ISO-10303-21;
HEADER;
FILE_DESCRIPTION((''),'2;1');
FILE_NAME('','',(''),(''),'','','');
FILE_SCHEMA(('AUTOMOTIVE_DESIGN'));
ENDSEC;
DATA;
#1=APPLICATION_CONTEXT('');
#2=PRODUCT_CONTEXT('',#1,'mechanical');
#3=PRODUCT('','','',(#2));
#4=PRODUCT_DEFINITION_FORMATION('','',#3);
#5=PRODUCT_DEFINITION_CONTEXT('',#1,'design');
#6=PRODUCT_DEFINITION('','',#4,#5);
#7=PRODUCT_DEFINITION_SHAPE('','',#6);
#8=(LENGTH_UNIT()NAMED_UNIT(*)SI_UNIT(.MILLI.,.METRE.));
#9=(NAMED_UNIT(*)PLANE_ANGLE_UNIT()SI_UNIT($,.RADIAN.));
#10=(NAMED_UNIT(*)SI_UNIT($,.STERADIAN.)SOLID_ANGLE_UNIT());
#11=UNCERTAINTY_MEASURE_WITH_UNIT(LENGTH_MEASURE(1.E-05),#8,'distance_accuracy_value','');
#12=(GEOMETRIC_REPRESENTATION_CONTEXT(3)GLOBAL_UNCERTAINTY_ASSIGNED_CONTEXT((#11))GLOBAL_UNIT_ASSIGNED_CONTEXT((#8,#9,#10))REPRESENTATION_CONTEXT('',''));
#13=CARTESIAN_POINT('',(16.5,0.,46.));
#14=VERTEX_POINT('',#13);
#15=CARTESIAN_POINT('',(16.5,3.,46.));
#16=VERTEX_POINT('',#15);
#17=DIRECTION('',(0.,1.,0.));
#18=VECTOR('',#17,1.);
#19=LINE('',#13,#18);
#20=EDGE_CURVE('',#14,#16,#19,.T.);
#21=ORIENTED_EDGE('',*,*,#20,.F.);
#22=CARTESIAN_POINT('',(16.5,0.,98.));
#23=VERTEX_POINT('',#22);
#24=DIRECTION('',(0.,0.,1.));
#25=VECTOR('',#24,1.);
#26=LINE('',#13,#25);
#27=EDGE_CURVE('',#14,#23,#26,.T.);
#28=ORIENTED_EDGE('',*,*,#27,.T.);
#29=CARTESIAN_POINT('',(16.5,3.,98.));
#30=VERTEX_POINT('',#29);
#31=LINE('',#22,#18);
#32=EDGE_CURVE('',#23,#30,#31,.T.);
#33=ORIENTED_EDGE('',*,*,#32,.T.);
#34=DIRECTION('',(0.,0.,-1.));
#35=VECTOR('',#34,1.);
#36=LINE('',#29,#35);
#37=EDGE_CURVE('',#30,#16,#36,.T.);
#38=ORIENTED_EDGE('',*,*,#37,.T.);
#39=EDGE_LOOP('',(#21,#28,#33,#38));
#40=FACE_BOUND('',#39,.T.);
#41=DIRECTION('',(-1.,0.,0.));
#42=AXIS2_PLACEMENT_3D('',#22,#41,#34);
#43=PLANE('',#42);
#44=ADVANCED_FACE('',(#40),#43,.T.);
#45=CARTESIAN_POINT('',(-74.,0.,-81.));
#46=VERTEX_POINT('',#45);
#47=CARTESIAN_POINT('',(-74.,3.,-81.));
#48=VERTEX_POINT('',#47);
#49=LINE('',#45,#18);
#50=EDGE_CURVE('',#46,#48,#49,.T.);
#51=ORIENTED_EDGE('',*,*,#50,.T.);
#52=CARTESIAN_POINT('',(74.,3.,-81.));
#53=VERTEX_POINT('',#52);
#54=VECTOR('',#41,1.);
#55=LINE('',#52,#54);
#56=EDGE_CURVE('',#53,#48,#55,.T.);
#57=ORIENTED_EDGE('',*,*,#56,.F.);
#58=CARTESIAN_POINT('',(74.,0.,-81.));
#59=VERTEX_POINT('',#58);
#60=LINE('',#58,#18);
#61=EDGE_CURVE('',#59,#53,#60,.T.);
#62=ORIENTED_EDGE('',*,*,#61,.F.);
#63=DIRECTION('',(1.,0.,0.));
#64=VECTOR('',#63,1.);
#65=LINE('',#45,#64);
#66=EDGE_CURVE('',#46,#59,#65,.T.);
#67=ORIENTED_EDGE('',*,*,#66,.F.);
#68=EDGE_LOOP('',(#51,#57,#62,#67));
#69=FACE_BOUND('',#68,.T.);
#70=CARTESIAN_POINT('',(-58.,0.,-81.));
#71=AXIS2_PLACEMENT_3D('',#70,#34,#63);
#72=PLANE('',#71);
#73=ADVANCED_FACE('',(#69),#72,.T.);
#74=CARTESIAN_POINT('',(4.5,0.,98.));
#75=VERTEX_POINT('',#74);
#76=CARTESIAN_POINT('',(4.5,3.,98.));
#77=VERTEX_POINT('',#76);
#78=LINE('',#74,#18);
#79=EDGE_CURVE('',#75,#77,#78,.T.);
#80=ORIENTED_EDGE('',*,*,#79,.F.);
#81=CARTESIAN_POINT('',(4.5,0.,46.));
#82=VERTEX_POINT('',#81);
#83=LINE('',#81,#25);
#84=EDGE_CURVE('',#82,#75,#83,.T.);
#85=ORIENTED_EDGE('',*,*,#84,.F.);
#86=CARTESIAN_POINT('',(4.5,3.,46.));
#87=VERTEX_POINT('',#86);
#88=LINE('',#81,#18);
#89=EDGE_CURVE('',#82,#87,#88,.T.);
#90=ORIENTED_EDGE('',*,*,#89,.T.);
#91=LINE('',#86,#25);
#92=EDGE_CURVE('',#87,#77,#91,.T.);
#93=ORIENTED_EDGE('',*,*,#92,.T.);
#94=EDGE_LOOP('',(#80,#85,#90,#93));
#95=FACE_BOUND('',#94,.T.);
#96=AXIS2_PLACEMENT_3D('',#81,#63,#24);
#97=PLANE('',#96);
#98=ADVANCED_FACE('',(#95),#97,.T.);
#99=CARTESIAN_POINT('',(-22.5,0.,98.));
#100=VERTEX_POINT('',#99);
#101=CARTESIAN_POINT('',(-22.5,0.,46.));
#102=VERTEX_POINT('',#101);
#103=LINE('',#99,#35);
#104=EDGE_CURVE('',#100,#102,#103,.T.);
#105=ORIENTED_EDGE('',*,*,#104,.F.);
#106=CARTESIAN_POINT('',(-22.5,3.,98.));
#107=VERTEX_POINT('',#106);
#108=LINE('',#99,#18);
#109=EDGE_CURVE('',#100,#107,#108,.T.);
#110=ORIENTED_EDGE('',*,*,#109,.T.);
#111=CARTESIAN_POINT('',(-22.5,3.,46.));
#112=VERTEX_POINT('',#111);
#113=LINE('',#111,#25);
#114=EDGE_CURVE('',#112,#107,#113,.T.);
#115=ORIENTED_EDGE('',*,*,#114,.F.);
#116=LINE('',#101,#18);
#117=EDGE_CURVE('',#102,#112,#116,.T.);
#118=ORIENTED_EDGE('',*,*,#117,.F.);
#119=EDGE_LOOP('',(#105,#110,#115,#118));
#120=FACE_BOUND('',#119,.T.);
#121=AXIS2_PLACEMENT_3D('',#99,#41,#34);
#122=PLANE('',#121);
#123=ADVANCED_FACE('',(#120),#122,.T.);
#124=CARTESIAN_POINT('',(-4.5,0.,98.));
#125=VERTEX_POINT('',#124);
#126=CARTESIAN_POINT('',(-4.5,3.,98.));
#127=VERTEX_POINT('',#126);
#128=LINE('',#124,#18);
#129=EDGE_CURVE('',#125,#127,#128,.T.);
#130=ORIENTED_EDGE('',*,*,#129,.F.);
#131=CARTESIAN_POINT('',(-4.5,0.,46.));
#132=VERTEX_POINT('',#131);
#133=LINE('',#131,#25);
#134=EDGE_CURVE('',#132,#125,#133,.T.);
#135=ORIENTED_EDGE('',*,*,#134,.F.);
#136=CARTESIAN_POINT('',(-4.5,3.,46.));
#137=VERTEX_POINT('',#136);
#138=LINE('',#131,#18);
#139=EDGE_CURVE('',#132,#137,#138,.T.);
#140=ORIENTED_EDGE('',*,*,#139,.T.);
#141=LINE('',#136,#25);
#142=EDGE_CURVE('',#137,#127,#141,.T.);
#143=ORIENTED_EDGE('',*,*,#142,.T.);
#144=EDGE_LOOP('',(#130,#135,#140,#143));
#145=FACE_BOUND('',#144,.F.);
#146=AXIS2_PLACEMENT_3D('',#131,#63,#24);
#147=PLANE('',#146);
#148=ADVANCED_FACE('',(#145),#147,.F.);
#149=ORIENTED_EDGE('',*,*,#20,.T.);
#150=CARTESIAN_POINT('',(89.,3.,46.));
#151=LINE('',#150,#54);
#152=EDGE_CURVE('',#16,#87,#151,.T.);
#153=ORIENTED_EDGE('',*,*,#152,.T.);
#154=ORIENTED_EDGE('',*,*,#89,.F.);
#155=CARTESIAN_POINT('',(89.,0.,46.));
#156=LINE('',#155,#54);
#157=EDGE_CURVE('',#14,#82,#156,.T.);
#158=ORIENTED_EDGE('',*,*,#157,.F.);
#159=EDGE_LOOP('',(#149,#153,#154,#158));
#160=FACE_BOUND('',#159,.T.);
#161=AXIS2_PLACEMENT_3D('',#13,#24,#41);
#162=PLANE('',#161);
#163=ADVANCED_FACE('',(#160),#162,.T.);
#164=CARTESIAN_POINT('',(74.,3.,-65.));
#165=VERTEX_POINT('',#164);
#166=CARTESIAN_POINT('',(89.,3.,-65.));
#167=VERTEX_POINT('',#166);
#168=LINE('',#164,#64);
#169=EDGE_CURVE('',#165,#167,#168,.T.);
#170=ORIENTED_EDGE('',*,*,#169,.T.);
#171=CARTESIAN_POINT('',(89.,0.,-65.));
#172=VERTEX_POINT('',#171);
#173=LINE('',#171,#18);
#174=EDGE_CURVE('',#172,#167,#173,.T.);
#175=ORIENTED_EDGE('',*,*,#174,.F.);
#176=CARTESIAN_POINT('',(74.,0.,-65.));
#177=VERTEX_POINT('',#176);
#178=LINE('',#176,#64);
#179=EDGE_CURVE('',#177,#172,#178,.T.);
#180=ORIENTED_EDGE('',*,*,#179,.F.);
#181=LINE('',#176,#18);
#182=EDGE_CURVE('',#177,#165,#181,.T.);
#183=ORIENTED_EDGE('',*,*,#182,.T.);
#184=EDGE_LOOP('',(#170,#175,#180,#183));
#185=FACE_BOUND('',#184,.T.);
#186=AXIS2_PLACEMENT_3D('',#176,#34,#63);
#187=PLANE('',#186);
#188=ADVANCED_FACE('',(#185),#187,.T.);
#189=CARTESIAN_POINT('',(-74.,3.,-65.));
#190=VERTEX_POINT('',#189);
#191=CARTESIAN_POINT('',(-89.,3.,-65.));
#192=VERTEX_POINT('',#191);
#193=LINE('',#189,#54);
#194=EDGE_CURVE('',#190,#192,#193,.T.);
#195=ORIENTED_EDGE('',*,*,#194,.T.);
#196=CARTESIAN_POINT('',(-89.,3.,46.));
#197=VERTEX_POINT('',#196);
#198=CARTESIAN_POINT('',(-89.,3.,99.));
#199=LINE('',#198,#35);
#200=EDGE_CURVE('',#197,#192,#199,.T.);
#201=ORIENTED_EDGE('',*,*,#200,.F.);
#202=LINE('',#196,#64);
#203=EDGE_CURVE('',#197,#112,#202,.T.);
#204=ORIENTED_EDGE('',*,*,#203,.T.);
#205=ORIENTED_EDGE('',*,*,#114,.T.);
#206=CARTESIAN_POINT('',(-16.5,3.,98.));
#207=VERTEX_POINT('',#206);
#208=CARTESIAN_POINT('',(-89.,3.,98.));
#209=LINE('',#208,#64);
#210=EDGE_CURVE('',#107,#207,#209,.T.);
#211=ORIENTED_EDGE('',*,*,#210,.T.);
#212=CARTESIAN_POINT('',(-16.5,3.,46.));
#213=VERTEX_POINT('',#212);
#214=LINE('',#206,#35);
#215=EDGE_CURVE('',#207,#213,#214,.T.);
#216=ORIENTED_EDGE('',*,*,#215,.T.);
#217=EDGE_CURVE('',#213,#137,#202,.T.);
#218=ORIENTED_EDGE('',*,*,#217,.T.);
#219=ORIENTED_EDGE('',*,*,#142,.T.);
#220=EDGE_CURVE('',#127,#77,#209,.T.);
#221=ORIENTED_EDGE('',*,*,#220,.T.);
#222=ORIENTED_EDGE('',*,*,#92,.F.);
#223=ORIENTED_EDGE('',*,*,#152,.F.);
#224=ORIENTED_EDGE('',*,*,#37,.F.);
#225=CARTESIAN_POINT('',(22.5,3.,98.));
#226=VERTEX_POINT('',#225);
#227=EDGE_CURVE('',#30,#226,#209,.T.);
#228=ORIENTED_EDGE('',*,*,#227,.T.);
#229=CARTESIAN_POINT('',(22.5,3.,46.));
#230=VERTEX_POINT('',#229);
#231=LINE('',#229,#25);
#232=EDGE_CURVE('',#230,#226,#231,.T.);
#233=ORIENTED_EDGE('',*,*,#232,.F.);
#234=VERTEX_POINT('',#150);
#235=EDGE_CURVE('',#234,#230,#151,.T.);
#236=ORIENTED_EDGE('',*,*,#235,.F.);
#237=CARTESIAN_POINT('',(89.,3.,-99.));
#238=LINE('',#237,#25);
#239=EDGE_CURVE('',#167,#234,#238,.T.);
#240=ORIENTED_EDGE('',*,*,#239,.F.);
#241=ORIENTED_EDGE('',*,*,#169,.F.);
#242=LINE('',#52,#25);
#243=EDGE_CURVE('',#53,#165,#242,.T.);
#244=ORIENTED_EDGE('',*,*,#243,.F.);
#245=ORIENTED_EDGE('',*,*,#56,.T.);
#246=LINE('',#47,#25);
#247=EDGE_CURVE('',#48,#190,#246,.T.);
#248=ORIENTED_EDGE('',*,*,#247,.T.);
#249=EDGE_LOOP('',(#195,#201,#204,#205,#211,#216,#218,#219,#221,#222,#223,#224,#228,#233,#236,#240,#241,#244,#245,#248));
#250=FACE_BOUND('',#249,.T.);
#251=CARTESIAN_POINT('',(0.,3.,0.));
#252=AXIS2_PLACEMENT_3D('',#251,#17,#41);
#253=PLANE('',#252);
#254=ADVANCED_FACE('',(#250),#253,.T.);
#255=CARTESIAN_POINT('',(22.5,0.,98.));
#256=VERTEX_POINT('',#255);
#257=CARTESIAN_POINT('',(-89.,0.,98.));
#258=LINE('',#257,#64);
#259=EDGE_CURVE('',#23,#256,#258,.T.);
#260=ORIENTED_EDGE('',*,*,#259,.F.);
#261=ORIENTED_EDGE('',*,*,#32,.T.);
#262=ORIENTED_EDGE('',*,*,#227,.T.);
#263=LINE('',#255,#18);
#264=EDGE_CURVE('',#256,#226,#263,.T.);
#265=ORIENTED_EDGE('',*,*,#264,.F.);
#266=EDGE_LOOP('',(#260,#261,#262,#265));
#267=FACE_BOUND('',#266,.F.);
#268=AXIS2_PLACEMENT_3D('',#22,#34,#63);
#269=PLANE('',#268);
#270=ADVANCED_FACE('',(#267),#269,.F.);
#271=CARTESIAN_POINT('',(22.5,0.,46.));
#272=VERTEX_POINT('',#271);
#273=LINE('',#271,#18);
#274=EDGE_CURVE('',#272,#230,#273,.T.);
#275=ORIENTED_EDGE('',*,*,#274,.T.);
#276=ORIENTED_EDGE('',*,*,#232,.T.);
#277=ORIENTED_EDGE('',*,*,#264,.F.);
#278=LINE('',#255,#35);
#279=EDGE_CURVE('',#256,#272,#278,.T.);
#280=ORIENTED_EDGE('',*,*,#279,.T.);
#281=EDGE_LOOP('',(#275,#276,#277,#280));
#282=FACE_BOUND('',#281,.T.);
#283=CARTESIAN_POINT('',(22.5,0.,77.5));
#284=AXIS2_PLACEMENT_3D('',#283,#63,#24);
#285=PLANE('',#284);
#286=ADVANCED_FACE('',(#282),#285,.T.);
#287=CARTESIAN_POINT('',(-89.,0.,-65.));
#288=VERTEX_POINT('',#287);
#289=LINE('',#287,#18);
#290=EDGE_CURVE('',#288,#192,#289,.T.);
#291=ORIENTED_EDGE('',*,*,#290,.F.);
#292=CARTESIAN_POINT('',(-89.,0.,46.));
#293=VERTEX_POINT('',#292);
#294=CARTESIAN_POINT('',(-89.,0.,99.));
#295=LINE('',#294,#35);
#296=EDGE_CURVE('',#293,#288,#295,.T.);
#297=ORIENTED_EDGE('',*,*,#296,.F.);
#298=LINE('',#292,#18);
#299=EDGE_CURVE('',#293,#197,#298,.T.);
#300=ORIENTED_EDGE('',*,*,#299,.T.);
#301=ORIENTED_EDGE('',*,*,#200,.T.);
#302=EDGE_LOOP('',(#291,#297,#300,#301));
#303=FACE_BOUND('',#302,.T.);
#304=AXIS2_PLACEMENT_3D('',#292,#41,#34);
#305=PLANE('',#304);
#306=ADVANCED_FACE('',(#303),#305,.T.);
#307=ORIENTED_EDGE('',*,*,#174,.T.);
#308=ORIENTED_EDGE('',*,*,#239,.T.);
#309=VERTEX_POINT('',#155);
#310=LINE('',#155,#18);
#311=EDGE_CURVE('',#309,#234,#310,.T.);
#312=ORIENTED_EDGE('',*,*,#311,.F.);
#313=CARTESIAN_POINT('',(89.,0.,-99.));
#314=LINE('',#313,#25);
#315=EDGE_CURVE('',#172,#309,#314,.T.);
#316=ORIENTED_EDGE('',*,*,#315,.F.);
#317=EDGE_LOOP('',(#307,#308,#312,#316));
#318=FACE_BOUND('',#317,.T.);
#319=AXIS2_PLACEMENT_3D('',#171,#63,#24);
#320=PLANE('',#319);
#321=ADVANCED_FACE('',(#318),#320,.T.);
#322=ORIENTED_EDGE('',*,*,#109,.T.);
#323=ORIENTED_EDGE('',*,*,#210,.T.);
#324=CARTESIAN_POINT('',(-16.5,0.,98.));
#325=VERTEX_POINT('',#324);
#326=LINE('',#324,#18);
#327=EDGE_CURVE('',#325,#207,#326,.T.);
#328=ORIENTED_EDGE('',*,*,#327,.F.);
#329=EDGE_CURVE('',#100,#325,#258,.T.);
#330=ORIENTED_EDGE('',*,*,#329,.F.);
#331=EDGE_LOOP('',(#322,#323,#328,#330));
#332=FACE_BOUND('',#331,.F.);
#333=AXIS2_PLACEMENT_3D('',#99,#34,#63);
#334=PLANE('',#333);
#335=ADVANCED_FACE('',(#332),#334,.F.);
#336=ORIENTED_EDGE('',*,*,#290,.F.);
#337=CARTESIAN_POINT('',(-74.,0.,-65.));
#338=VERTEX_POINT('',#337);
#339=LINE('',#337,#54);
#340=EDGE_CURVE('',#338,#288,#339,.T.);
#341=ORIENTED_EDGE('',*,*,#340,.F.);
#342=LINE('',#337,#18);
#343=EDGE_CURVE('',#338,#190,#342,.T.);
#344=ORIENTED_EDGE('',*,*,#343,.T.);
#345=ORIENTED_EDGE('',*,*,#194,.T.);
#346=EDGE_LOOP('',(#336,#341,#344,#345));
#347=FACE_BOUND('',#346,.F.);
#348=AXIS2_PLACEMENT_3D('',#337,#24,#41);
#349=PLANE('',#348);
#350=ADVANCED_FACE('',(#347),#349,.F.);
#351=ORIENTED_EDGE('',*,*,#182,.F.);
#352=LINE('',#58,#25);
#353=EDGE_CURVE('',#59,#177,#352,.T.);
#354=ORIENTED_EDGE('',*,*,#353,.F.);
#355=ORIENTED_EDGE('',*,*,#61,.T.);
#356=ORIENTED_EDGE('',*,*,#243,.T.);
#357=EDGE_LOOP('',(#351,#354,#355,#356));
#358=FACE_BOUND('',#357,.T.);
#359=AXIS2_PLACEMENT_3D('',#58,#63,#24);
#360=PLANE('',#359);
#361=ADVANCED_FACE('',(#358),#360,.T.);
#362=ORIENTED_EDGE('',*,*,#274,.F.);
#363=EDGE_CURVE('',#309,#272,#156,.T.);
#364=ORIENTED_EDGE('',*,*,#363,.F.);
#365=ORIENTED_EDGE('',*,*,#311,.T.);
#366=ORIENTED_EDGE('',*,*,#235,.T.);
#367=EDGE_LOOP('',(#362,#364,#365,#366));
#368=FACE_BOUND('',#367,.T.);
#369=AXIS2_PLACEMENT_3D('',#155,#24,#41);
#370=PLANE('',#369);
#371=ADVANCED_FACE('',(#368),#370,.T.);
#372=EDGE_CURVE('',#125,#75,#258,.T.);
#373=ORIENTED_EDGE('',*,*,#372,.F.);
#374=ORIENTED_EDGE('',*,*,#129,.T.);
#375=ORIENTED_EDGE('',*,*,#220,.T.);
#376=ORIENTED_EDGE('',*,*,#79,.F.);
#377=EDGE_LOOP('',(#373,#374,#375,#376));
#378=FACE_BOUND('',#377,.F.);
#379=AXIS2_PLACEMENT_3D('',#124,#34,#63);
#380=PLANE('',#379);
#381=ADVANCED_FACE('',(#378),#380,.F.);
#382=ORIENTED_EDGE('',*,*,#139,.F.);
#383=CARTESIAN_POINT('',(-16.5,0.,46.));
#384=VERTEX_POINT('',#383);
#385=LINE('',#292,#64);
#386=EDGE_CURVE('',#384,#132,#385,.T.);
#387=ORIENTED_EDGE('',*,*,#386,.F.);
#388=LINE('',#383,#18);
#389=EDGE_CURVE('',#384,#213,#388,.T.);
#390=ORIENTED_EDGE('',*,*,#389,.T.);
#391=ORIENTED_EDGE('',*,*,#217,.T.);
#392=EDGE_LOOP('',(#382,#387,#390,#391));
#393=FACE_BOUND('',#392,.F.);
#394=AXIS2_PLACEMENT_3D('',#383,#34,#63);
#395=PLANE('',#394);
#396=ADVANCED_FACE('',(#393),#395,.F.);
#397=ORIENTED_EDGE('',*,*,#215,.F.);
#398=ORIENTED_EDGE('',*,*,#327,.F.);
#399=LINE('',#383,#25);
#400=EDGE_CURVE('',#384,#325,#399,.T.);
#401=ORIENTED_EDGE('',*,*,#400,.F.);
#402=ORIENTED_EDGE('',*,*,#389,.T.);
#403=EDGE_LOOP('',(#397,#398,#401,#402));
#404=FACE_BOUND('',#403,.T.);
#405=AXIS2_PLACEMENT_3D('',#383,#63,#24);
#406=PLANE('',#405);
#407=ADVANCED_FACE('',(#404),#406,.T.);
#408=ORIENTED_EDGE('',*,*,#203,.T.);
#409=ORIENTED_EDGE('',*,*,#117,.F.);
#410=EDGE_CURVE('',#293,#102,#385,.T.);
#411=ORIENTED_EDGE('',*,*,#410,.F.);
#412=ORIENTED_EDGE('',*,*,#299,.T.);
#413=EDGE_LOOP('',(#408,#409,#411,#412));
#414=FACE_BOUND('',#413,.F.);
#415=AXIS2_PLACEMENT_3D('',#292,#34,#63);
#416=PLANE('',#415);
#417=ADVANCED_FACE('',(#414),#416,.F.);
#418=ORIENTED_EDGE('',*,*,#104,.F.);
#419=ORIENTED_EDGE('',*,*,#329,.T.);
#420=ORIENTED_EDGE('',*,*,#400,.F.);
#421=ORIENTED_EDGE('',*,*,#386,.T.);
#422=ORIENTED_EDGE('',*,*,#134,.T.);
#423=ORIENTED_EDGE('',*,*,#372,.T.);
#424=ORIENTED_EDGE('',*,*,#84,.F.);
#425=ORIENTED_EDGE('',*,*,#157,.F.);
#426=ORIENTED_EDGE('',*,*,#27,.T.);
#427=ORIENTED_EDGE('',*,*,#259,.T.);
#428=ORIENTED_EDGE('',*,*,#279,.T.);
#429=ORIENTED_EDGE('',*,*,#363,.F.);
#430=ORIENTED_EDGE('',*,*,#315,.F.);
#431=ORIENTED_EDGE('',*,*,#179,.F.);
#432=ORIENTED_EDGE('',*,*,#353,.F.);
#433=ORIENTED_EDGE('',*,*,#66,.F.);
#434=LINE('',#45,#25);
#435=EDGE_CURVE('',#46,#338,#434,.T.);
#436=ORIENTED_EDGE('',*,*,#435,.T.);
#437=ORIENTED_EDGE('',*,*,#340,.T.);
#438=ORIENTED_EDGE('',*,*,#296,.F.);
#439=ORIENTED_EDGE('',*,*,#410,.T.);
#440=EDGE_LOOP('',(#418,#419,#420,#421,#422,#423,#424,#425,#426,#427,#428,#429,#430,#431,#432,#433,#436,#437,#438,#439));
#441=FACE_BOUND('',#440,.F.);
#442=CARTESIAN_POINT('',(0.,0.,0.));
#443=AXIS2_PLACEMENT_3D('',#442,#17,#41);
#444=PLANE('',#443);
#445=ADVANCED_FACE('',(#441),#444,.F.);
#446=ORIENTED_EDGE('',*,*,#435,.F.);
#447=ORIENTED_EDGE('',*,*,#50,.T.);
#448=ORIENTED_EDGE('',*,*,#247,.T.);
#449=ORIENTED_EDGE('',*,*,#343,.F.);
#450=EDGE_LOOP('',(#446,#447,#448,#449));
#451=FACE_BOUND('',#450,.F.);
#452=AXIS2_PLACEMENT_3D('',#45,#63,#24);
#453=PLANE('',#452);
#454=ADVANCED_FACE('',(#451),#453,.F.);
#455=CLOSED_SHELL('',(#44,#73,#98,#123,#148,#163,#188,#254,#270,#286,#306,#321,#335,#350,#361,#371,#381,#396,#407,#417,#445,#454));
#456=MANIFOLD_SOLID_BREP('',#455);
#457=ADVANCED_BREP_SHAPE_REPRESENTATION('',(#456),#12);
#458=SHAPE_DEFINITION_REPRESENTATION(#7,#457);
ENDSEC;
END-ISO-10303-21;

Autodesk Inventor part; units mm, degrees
ref_plane "YZ Plane" through (0, 0, 0) normal (1, 0, 0) x (0, 1, 0)
ref_plane "XZ Plane" through (0, 0, 0) normal (0, 1, 0) x (-1, 0, 0)
ref_plane "XY Plane" through (0, 0, 0) normal (0, 0, 1) x (1, 0, 0)
sketch "Sketch2" plane through (0, 0, 0) normal (0, 1, 0) x (-1, 0, 0)
  line L0 (-89, 99) -> (89, 99)
  line L1 (89, 99) -> (89, -99)
  line L2 (89, -99) -> (-89, -99)
  line L3 (-89, -99) -> (-89, 99)
  line L4 (-89, 99) -> (89, -99) construction
  line L5 (89, 99) -> (-89, -99) construction
  line L6 (-89, 99) -> (89, 99)
  line L7 (89, 99) -> (89, -81)
  line L8 (89, -81) -> (-89, -81)
  line L9 (-89, -81) -> (-89, 99)
  line L10 (-4.5, 99) -> (-89, 99)
  line L11 (-89, 99) -> (-89, 46)
  line L12 (-89, 46) -> (-4.5, 46)
  line L13 (-4.5, 46) -> (-4.5, 99)
  line L14 (4.5, 99) -> (89, 99)
  line L15 (89, 99) -> (89, 46)
  line L16 (89, 46) -> (4.5, 46)
  line L17 (4.5, 46) -> (4.5, 99)
  line L18 (22.5, 77.5) -> (22.5, 66.5) projected
  line L19 (16.5, 66.5) -> (16.5, 77.5) projected
  line L20 (-22.5, 66.5) -> (-22.5, 77.5) projected
  line L21 (-16.5, 77.5) -> (-16.5, 66.5) projected
  line L22 (-22.5, 99) -> (-16.5, 99)
  line L23 (-16.5, 99) -> (-16.5, 46)
  line L24 (-16.5, 46) -> (-22.5, 46)
  line L25 (-22.5, 46) -> (-22.5, 99)
  line L26 (16.5, 99) -> (22.5, 99)
  line L27 (22.5, 99) -> (22.5, 46)
  line L28 (22.5, 46) -> (16.5, 46)
  line L29 (16.5, 46) -> (16.5, 99)
  line L30 (-89, 99) -> (89, 99)
  line L31 (89, 99) -> (89, 98)
  line L32 (89, 98) -> (-89, 98)
  line L33 (-89, 98) -> (-89, 99)
  line L34 (89, -81) -> (74, -81)
  line L35 (74, -81) -> (74, -65)
  line L36 (74, -65) -> (89, -65)
  line L37 (89, -65) -> (89, -81)
  line L38 (-89, -81) -> (-74, -81)
  line L39 (-74, -81) -> (-74, -65)
  line L40 (-74, -65) -> (-89, -65)
  line L41 (-89, -65) -> (-89, -81)
  circle A0 centre (-83, 43.8) radius 1.8 projected
  circle A1 centre (-62.9, 43.8) radius 1.8 projected
  circle A2 centre (-62.9, 11.6615) radius 1.8 projected
  circle A3 centre (-83, 11.6615) radius 1.8 projected
  circle A4 centre (-19.5, 15.3216) radius 1.8 projected
  circle A5 centre (-19.5, 50.2091) radius 1.8 projected
  circle A6 centre (-19.5, 81.925) radius 1.8 projected
  circle A7 centre (19.5, 81.925) radius 1.8 projected
  circle A8 centre (19.5, 50.2091) radius 1.8 projected
  circle A9 centre (19.5, 15.3216) radius 1.8 projected
  circle A10 centre (29.2, 11.6615) radius 1.8 projected
  circle A11 centre (29.2, 43.8) radius 1.8 projected
  circle A12 centre (62.9, 43.8) radius 1.8 projected
  circle A13 centre (83, 43.8) radius 1.8 projected
  circle A14 centre (83, 11.6615) radius 1.8 projected
  circle A15 centre (62.9, 11.6615) radius 1.8 projected
  circle A16 centre (82.5, -24.6725) radius 1.8 projected
  circle A17 centre (84.5, -61.5) radius 1.8 projected
  circle A18 centre (66, -77) radius 1.8 projected
  circle A19 centre (22, -77) radius 1.8 projected
  circle A20 centre (-22, -77) radius 1.8 projected
  circle A21 centre (-66, -77) radius 1.8 projected
  circle A22 centre (-66, -77) radius 1.8 projected
  line L42 (-60, -79) -> (-60, -73) projected
  line L43 (-60, -73) -> (-72, -73) projected
  line L44 (-72, -73) -> (-72, -79) projected
  arc A23 (-74, -81) -> (-72, -79) centre (-74, -79) ccw projected
  line L45 (-58, -81) -> (-74, -81) projected
  arc A24 (-60, -79) -> (-58, -81) centre (-58, -79) ccw projected
  circle A25 centre (-22, -77) radius 1.8 projected
  line L46 (-16, -79) -> (-16, -73) projected
  line L47 (-16, -73) -> (-28, -73) projected
  line L48 (-28, -73) -> (-28, -79) projected
  arc A26 (-30, -81) -> (-28, -79) centre (-30, -79) ccw projected
  line L49 (-14, -81) -> (-30, -81) projected
  arc A27 (-16, -79) -> (-14, -81) centre (-14, -79) ccw projected
  circle A28 centre (22, -77) radius 1.8 projected
  line L50 (16, -73) -> (16, -79) projected
  arc A29 (14, -81) -> (16, -79) centre (14, -79) ccw projected
  line L51 (30, -81) -> (14, -81) projected
  arc A30 (28, -79) -> (30, -81) centre (30, -79) ccw projected
  line L52 (28, -79) -> (28, -73) projected
  line L53 (28, -73) -> (16, -73) projected
  circle A31 centre (66, -77) radius 1.8 projected
  line L54 (60, -73) -> (60, -79) projected
  arc A32 (58, -81) -> (60, -79) centre (58, -79) ccw projected
  line L55 (74, -81) -> (58, -81) projected
  arc A33 (72, -79) -> (74, -81) centre (74, -79) ccw projected
  line L56 (72, -79) -> (72, -73) projected
  line L57 (72, -73) -> (60, -73) projected
  point P0 (0, 0)
  point P1 (4.5, 99)
  point P2 (-4.5, 99)
  point P3 (-89, 46)
  point P4 (89, 46)
  point P5 (4.5, 98)
  point P6 (-4.5, 98)
  point P7 (-16.5, 98)
  point P8 (-22.5, 98)
  point P9 (22.5, 98)
  point P10 (16.5, 98)
  dimension "d8" = 178
  dimension "d9" = 198
  dimension "d10" = 18
  dimension "d11" = 84.5
  dimension "d12" = 53
  dimension "d13" = 84.5
  dimension "d14" = 53
  dimension "d17" = 9
  dimension "d18" = 1
  dimension "d19" = 15
  dimension "d20" = 16
  dimension "d21" = 15
  dimension "d22" = 16
extrude "Extrusion2" add sketch "Sketch2" along normal blind 3 contours L32 L23 L21 L12 L25 L20 | L12 L13 L32 L17 L16 L1 L36 L35 A33 L56 L57 L54 A32 L8 A30 L52 L53 L50 A29 A27 L46 L47 L48 A26 A24 L42 L43 L44 A23 L39 L40 L3 | A23 L44 L43 L42 A24 L8 | L32 L27 L18 L16 L29 L19 | A26 L48 L47 L46 A27 L8 | L8 A32 L54 L57 L56 A33 | A29 L50 L53 L52 A30 L8 | A0 | A1 | A2 | A3 | A4 | A5 | A6 | A7 | A8 | A9 | A10 | A11 | A12 | A13 | A14 | A15 | A16 | A17 | A18 | A19 | A20 | A21
equation "\"d11\" = d13"
properties part number "base" material "Aluminum 6061-AHC"
